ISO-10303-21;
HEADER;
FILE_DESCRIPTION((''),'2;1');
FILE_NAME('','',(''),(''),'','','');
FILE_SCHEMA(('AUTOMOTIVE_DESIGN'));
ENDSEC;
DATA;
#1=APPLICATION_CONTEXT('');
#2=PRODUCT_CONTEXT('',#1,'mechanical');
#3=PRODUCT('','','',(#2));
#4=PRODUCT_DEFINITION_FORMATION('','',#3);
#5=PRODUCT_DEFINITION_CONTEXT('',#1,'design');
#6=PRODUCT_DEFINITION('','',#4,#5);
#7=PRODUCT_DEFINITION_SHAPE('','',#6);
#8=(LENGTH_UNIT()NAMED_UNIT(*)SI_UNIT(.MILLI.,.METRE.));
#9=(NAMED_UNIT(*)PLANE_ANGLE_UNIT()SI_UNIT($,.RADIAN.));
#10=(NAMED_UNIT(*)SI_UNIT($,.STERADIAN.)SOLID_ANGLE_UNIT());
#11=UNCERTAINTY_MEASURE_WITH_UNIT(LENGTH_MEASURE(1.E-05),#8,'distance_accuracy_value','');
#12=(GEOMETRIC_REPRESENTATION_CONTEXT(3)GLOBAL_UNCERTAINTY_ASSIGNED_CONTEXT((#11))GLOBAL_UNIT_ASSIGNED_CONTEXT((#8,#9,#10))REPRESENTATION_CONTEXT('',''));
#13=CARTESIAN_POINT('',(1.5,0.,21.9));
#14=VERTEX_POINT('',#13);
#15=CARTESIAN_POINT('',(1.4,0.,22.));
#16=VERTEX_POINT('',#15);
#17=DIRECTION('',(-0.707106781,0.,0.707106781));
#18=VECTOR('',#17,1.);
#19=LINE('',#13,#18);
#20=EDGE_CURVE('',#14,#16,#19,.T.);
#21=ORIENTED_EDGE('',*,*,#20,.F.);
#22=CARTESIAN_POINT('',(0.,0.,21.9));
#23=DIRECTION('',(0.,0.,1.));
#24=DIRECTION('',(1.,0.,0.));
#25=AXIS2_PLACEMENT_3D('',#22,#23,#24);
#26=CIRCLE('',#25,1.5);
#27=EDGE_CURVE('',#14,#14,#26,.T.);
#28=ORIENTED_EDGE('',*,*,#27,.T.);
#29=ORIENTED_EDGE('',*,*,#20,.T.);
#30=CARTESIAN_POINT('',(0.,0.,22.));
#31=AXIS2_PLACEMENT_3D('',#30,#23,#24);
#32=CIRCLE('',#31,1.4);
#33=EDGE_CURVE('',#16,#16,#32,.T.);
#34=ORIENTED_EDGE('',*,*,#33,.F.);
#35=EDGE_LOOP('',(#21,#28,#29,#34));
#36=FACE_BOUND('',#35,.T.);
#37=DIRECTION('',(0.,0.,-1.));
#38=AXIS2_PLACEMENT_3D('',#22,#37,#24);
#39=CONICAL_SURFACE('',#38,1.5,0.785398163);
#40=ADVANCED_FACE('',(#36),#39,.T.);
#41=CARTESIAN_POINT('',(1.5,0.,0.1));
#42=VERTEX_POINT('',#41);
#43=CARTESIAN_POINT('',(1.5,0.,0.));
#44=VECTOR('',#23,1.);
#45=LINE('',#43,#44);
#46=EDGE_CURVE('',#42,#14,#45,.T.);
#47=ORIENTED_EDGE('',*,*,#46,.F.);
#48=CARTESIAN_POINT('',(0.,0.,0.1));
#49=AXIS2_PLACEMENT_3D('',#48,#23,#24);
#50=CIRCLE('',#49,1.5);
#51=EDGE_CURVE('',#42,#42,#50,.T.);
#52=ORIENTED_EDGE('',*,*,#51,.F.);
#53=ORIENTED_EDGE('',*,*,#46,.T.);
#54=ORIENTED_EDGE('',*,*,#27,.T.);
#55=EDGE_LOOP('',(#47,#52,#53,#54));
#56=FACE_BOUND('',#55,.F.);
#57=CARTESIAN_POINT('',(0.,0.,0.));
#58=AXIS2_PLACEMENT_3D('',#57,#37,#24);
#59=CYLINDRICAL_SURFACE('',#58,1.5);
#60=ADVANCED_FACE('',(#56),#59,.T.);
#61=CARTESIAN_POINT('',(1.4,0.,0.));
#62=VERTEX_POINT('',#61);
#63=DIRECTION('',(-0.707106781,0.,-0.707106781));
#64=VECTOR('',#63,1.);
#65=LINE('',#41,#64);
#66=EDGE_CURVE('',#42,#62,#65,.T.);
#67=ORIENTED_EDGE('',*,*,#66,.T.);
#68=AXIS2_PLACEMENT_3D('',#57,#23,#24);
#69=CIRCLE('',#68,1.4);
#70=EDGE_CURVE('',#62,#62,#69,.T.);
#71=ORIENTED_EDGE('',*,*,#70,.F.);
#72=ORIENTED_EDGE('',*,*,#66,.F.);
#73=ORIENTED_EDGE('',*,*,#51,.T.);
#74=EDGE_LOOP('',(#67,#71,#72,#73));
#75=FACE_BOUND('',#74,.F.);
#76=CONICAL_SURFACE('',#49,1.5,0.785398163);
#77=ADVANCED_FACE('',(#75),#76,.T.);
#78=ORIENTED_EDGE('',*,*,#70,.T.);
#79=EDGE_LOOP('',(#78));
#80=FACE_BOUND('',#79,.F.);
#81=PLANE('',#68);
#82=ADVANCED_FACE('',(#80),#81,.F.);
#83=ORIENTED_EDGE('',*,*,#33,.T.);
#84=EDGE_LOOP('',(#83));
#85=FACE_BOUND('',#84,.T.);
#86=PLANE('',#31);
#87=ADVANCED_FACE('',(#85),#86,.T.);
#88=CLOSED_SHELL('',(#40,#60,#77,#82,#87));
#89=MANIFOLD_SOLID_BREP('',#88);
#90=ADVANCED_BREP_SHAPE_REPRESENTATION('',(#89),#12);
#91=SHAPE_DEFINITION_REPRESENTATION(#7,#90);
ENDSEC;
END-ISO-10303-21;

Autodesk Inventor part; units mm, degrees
ref_plane "YZ Plane" through (0, 0, 0) normal (1, 0, 0) x (0, 1, 0)
ref_plane "XZ Plane" through (0, 0, 0) normal (0, 1, 0) x (-1, 0, 0)
ref_plane "XY Plane" through (0, 0, 0) normal (0, 0, 1) x (1, 0, 0)
sketch "Skizze1" plane through (0, 0, 0) normal (0, 0, 1) x (1, 0, 0)
  circle A0 centre (0, 0) radius 1.5
  dimension "d0" = 3
extrude "Extrusion1" add sketch "Skizze1" along normal blind 22
chamfer "Fase1" distance 0.1 angle 45 2 edges at (-1.5, 0, 22) (-1.5, 0, 0)
properties part number "Anpresspinns" material "Edelstahl"
